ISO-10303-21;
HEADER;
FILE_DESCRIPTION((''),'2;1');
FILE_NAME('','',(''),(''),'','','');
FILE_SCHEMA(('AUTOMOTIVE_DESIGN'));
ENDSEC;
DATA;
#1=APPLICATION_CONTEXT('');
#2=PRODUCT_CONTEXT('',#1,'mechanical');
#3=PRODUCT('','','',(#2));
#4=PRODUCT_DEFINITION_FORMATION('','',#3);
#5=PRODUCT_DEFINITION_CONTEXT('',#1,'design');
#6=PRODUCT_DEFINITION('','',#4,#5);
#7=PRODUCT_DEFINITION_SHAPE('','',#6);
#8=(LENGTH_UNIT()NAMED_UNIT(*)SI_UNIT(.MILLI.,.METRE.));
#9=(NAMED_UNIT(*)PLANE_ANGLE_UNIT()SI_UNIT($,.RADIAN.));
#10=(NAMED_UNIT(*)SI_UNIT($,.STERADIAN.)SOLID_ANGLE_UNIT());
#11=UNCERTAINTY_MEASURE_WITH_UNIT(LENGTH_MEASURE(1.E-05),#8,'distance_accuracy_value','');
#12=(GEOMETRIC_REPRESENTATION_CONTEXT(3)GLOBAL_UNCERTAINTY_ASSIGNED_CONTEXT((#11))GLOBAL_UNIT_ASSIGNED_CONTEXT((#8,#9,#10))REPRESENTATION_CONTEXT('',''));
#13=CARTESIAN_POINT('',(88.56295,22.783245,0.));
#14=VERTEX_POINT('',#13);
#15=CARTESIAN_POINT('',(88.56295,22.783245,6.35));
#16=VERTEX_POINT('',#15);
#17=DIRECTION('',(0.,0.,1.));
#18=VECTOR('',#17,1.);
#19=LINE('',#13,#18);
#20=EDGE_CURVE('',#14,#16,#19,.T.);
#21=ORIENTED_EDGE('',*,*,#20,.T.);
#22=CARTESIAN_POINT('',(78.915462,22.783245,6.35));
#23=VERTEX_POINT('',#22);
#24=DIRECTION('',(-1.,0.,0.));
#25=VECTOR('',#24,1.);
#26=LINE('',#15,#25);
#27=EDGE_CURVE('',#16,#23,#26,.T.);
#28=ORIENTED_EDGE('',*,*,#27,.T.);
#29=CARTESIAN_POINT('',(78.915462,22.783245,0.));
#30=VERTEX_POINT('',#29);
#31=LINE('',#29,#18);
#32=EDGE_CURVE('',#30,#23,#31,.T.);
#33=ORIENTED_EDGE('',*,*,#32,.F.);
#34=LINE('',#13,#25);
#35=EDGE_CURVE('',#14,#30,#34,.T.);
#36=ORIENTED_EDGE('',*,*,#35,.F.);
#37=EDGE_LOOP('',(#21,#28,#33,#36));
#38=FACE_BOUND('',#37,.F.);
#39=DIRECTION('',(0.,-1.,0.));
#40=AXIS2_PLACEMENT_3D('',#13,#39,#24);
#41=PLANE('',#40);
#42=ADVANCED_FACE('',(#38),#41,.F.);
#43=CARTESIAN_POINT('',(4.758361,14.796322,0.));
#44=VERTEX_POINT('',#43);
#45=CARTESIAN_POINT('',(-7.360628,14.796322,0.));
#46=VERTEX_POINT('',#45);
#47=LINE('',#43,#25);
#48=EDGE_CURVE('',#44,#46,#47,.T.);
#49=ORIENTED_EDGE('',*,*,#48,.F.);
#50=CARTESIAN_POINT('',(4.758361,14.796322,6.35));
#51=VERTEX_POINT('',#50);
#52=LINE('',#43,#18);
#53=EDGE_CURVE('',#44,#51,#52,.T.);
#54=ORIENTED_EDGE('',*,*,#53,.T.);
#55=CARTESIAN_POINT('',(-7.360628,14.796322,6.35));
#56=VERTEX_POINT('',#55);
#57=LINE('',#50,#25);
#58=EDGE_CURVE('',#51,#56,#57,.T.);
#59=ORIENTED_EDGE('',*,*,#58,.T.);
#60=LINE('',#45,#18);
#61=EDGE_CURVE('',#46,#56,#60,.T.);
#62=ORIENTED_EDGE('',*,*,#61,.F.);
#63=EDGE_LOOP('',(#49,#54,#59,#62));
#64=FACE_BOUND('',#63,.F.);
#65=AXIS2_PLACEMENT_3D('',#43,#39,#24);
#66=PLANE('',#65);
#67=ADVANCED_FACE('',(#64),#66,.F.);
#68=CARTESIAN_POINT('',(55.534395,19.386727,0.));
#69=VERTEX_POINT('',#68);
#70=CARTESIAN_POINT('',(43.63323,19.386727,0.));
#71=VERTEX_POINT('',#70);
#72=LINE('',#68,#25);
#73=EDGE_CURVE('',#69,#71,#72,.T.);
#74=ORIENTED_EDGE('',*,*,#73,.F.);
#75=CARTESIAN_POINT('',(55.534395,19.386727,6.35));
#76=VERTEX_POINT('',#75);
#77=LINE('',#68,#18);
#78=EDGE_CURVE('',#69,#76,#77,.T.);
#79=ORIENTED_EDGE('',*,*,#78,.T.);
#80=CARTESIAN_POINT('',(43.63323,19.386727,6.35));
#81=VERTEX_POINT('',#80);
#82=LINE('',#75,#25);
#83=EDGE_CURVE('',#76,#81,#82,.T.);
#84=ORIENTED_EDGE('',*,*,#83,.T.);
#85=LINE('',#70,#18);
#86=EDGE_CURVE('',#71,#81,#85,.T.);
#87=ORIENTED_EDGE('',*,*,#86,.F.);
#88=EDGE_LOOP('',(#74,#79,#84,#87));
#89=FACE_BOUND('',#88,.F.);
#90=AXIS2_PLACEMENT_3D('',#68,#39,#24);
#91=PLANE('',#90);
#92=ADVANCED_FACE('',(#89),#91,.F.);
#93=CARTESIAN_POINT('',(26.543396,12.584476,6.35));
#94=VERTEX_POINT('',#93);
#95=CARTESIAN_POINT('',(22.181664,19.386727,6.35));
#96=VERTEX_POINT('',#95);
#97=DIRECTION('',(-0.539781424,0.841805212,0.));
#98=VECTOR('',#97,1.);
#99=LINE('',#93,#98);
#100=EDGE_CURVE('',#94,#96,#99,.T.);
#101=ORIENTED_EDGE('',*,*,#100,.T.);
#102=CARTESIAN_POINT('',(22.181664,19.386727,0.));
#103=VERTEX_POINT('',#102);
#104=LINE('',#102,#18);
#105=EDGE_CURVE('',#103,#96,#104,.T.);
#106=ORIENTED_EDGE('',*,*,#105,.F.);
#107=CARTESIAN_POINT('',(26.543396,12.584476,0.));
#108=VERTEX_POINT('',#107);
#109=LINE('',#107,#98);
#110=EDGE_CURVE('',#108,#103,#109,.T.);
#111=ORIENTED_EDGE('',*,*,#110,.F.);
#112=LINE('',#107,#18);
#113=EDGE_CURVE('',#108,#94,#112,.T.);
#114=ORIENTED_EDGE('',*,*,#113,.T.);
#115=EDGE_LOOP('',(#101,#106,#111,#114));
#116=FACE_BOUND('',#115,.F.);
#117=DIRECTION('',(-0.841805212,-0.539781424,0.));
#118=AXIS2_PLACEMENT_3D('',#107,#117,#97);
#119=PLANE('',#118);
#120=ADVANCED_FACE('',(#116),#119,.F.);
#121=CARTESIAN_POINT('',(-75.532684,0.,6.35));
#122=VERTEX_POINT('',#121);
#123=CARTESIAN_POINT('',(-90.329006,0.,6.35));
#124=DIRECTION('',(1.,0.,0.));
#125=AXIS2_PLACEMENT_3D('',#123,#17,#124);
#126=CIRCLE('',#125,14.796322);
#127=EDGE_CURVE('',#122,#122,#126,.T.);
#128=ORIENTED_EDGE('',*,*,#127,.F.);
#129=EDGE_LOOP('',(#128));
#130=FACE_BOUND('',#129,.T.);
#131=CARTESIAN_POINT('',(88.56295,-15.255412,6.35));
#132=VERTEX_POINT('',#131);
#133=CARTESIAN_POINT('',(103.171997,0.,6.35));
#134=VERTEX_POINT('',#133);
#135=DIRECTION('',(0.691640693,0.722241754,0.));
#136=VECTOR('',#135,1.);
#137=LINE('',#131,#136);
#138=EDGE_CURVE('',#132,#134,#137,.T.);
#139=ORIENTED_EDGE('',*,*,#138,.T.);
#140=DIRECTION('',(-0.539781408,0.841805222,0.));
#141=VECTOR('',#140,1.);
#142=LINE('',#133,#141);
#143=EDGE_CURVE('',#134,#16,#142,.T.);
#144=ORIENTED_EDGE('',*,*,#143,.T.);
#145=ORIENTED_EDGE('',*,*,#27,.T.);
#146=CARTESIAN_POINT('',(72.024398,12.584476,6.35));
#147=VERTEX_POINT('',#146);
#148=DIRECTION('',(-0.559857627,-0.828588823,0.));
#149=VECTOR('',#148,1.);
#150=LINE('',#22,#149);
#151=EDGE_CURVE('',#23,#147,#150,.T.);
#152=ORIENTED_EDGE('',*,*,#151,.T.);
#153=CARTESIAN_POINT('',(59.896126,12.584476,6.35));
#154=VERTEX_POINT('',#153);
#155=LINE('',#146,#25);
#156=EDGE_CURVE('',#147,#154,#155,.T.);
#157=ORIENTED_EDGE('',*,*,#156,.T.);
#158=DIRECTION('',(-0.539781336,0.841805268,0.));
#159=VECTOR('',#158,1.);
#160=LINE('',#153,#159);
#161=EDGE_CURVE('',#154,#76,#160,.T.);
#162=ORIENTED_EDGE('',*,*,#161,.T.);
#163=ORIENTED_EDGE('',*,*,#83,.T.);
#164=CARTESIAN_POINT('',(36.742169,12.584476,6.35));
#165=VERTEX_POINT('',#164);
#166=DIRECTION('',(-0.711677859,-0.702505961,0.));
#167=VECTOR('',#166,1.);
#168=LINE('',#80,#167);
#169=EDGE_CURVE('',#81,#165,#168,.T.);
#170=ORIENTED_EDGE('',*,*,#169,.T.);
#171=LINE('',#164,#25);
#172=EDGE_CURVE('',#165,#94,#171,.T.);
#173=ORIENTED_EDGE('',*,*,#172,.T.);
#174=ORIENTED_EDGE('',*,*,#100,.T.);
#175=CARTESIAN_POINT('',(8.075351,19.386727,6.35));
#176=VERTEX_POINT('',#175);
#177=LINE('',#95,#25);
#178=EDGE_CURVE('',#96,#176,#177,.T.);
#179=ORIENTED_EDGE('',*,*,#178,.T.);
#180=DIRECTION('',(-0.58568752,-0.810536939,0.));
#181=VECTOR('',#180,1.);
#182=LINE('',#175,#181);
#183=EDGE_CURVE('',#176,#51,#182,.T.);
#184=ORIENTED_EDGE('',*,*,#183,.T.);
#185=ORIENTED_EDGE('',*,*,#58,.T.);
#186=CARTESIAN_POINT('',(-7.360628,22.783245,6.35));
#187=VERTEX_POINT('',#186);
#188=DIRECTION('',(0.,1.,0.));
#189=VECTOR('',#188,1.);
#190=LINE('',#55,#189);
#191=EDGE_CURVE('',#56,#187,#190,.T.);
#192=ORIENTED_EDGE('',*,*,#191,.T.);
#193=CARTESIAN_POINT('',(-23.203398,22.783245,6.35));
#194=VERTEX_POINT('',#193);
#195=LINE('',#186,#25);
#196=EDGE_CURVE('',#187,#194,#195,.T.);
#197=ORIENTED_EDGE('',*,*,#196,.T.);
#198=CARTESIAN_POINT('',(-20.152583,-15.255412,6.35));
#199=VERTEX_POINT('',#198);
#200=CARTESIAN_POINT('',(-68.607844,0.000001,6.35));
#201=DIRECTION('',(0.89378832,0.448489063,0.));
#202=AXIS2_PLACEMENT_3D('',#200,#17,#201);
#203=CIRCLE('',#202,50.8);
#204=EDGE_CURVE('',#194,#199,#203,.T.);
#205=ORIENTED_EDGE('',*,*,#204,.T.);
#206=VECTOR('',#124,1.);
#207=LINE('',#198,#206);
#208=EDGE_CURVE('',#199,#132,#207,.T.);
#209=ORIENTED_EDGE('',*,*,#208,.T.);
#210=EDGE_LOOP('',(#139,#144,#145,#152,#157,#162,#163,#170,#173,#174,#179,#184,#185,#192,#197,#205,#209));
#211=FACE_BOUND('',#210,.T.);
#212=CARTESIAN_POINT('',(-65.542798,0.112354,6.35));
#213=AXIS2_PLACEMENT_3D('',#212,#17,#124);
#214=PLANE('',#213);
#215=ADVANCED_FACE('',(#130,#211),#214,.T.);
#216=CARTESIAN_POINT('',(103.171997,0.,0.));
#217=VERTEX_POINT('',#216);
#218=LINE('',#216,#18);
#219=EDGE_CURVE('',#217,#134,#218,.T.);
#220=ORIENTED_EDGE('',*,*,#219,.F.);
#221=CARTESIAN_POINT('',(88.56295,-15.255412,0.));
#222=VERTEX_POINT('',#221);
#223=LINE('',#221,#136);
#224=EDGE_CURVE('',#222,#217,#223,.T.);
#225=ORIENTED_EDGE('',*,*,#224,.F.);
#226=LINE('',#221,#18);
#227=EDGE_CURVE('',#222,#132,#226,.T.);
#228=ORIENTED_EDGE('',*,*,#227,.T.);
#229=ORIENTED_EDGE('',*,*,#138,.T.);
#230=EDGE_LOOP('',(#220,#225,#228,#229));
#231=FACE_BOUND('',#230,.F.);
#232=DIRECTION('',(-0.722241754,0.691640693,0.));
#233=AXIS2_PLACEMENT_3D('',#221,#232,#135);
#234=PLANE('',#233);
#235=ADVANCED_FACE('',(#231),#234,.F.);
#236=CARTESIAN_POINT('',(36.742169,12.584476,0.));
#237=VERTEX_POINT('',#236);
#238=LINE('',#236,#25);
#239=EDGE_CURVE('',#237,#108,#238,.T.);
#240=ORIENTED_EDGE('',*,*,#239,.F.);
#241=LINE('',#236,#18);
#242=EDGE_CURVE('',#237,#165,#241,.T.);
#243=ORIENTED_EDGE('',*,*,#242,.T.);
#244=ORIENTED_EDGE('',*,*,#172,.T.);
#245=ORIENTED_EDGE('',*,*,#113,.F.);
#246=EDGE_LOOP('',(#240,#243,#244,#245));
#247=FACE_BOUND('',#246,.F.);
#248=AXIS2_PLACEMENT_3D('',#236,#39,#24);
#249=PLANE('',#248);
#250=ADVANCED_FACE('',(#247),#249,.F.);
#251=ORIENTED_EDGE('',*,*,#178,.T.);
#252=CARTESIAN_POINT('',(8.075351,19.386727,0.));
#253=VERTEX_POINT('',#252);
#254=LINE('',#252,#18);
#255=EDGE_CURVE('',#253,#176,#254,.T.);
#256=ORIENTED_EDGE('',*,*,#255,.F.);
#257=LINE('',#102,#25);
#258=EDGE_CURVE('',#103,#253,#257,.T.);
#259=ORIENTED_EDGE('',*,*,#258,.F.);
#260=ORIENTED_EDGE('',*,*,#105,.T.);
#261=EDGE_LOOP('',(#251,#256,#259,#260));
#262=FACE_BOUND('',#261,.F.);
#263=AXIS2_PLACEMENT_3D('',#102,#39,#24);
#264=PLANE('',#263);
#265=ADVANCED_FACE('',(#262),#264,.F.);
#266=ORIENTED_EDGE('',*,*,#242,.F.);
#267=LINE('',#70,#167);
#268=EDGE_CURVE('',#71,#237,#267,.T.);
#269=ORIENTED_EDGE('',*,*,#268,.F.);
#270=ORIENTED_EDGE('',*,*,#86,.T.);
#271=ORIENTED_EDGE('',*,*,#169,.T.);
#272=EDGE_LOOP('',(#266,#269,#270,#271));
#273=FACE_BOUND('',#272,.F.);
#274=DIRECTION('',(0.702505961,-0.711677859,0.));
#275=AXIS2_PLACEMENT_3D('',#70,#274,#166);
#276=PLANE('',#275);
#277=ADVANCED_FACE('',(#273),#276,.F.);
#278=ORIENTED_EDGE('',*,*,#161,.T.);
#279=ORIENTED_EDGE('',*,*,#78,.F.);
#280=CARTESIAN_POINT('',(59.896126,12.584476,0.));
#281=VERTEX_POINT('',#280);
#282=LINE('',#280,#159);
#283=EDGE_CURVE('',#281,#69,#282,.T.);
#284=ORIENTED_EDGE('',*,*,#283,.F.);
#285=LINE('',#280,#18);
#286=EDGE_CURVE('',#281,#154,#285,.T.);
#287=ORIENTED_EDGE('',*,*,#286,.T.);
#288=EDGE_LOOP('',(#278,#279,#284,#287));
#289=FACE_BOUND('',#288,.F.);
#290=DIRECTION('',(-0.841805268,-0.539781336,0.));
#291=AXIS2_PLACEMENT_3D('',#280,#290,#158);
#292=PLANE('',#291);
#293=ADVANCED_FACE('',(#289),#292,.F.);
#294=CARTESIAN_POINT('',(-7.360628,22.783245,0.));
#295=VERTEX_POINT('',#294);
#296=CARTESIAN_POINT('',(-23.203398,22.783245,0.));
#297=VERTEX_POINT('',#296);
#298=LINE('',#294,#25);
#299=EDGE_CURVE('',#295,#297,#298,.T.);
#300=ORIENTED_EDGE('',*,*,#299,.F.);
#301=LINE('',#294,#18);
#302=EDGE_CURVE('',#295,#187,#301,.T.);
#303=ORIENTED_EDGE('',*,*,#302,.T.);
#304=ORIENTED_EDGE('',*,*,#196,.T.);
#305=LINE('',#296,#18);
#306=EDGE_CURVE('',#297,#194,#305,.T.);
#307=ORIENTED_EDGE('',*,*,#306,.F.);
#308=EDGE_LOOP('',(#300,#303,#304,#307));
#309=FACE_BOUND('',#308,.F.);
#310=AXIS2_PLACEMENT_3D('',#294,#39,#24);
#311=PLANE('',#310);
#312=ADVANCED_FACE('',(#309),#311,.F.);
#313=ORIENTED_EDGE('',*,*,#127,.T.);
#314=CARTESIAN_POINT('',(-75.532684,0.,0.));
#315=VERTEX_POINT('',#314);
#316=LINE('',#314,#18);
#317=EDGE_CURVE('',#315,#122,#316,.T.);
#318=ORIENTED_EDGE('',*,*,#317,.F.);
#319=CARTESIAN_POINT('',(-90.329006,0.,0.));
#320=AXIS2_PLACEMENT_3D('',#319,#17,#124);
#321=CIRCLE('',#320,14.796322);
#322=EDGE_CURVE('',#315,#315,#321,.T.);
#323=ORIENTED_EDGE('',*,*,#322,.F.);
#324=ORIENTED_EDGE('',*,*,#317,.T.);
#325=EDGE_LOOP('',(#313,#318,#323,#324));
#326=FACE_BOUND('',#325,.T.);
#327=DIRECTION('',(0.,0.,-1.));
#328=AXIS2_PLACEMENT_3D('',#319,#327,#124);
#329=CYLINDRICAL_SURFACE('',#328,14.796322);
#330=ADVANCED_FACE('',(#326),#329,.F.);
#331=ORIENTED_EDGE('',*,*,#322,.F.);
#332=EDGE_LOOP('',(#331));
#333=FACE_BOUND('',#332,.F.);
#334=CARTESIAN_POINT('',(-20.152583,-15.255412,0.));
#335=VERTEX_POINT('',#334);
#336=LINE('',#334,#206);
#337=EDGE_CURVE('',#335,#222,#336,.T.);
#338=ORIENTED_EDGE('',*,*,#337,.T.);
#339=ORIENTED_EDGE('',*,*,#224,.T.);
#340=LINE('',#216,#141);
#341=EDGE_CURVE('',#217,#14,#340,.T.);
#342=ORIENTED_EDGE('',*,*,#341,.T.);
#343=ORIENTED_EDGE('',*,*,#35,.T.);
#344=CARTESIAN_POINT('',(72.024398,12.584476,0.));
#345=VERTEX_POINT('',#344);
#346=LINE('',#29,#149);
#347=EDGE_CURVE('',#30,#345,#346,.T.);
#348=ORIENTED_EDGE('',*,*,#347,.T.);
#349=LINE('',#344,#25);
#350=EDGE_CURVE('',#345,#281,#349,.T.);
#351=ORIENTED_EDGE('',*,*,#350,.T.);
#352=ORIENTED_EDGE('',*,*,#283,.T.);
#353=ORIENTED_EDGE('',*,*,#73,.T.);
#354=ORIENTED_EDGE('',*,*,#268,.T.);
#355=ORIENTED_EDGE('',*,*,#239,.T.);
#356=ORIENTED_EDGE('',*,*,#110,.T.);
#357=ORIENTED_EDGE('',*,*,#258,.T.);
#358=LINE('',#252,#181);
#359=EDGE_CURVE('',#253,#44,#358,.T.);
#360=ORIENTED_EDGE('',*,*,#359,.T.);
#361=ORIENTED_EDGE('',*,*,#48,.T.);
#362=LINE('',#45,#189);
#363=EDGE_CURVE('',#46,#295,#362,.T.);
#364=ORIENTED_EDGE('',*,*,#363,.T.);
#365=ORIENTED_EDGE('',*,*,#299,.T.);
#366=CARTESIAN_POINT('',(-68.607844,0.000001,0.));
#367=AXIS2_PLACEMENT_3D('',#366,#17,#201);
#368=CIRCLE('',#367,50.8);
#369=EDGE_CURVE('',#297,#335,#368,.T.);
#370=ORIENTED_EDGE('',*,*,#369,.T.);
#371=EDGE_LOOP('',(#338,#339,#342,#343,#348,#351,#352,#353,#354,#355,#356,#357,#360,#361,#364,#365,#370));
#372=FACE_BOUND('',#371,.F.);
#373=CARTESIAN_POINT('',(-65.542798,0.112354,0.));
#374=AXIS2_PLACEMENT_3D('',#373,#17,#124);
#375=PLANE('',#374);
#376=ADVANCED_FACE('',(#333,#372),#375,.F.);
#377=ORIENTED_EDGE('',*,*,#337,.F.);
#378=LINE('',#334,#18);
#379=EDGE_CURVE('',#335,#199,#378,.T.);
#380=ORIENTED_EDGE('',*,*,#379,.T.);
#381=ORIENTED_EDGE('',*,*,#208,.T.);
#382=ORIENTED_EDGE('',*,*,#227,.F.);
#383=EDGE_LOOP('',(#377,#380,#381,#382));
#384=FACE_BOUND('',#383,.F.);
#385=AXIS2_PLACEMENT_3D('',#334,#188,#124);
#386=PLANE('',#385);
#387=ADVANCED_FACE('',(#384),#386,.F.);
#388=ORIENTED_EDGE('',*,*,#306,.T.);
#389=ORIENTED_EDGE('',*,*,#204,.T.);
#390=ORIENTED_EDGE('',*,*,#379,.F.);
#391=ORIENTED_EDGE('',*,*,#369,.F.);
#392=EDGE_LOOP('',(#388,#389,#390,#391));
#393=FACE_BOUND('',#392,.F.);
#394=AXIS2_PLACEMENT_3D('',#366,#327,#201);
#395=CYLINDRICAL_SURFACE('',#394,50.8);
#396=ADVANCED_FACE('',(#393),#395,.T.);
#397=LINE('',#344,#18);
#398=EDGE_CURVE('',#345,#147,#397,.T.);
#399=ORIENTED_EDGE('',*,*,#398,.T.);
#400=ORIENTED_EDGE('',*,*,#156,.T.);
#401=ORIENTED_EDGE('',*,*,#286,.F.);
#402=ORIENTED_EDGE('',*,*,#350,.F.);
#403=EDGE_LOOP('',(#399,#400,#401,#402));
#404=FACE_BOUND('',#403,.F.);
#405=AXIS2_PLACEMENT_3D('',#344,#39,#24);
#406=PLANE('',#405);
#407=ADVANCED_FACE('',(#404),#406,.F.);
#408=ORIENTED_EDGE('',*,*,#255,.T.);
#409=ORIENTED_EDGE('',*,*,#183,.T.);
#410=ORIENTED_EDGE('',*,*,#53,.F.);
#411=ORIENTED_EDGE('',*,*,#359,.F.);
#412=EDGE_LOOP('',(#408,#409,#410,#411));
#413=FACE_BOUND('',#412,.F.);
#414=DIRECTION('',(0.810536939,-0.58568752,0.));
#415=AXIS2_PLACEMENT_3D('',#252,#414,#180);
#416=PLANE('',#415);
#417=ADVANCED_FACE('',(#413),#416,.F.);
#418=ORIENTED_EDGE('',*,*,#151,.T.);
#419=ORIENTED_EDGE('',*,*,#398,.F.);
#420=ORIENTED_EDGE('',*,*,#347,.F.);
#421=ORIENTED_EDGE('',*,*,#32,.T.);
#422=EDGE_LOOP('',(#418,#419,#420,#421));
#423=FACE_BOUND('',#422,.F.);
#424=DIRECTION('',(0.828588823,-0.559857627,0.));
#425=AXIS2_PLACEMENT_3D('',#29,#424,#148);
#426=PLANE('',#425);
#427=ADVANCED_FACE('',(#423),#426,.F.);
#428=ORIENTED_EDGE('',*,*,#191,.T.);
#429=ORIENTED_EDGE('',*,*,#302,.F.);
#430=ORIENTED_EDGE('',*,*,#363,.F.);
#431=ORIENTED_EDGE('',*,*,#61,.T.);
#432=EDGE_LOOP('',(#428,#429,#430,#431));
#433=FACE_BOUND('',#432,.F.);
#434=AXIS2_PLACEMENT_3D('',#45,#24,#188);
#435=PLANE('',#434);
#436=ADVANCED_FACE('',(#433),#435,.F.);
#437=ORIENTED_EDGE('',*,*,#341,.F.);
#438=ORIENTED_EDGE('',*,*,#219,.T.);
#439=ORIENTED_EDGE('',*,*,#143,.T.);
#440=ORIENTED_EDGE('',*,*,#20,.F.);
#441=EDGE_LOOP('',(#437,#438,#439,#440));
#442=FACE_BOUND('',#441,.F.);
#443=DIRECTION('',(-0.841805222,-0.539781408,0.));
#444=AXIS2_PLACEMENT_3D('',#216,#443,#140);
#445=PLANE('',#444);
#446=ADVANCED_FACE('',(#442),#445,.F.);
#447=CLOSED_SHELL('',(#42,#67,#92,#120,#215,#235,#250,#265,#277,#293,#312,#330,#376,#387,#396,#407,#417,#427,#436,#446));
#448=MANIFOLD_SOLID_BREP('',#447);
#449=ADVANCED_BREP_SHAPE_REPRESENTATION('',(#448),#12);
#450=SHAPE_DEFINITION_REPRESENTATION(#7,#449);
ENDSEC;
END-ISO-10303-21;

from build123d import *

# Parameters (mm, degrees)
F0_R     = 14.796322
F1_DEPTH = 6.35


with BuildPart() as f1:
    # F0 (on Top) → F1 (new body)
    with BuildSketch(Plane.XY):
        with BuildLine():
            Line((-27.206885, 22.783245), (-23.203398, 22.783245))
            ThreePointArc((-23.203398, 22.783245), (-119.245242, -4.061273), (-20.152583, -15.255412))
            Line((-20.152583, -15.255412), (-27.206885, -15.255412))
            Line((-27.206885, -15.255412), (-27.206885, 22.783245))
        make_face()
        with Locations((-90.329006, 0)):
            Circle(F0_R, mode=Mode.SUBTRACT)
        with BuildLine():
            ThreePointArc((-23.203398, 22.783245), (-19.175133, 11.70671), (-17.807844, 0))
            ThreePointArc((-17.807844, 0), (-18.397451, -7.717276), (-20.152583, -15.255412))
            Line((-20.152583, -15.255412), (88.56295, -15.255412))
            Line((88.56295, -15.255412), (103.171997, 0))
            Line((103.171997, 0), (88.56295, 22.783245))
            Line((88.56295, 22.783245), (78.915462, 22.783245))
            Line((78.915462, 22.783245), (72.024398, 12.584476))
            Line((72.024398, 12.584476), (59.896126, 12.584476))
            Line((59.896126, 12.584476), (55.534395, 19.386727))
            Line((55.534395, 19.386727), (43.63323, 19.386727))
            Line((43.63323, 19.386727), (36.742169, 12.584476))
            Line((36.742169, 12.584476), (26.543396, 12.584476))
            Line((26.543396, 12.584476), (22.181664, 19.386727))
            Line((22.181664, 19.386727), (8.075351, 19.386727))
            Line((8.075351, 19.386727), (4.758361, 14.796322))
            Line((4.758361, 14.796322), (-7.360628, 14.796322))
            Line((-7.360628, 14.796322), (-7.360628, 22.783245))
            Line((-7.360628, 22.783245), (-23.203398, 22.783245))
        make_face()
        with BuildLine():
            ThreePointArc((-20.152583, -15.255412), (-18.397451, -7.717276), (-17.807844, 0))
            ThreePointArc((-17.807844, 0), (-19.175133, 11.70671), (-23.203398, 22.783245))
            Line((-23.203398, 22.783245), (-27.206885, 22.783245))
            Line((-27.206885, 22.783245), (-27.206885, -15.255412))
            Line((-27.206885, -15.255412), (-20.152583, -15.255412))
        make_face()
    extrude(amount=F1_DEPTH)


solid = f1.part
